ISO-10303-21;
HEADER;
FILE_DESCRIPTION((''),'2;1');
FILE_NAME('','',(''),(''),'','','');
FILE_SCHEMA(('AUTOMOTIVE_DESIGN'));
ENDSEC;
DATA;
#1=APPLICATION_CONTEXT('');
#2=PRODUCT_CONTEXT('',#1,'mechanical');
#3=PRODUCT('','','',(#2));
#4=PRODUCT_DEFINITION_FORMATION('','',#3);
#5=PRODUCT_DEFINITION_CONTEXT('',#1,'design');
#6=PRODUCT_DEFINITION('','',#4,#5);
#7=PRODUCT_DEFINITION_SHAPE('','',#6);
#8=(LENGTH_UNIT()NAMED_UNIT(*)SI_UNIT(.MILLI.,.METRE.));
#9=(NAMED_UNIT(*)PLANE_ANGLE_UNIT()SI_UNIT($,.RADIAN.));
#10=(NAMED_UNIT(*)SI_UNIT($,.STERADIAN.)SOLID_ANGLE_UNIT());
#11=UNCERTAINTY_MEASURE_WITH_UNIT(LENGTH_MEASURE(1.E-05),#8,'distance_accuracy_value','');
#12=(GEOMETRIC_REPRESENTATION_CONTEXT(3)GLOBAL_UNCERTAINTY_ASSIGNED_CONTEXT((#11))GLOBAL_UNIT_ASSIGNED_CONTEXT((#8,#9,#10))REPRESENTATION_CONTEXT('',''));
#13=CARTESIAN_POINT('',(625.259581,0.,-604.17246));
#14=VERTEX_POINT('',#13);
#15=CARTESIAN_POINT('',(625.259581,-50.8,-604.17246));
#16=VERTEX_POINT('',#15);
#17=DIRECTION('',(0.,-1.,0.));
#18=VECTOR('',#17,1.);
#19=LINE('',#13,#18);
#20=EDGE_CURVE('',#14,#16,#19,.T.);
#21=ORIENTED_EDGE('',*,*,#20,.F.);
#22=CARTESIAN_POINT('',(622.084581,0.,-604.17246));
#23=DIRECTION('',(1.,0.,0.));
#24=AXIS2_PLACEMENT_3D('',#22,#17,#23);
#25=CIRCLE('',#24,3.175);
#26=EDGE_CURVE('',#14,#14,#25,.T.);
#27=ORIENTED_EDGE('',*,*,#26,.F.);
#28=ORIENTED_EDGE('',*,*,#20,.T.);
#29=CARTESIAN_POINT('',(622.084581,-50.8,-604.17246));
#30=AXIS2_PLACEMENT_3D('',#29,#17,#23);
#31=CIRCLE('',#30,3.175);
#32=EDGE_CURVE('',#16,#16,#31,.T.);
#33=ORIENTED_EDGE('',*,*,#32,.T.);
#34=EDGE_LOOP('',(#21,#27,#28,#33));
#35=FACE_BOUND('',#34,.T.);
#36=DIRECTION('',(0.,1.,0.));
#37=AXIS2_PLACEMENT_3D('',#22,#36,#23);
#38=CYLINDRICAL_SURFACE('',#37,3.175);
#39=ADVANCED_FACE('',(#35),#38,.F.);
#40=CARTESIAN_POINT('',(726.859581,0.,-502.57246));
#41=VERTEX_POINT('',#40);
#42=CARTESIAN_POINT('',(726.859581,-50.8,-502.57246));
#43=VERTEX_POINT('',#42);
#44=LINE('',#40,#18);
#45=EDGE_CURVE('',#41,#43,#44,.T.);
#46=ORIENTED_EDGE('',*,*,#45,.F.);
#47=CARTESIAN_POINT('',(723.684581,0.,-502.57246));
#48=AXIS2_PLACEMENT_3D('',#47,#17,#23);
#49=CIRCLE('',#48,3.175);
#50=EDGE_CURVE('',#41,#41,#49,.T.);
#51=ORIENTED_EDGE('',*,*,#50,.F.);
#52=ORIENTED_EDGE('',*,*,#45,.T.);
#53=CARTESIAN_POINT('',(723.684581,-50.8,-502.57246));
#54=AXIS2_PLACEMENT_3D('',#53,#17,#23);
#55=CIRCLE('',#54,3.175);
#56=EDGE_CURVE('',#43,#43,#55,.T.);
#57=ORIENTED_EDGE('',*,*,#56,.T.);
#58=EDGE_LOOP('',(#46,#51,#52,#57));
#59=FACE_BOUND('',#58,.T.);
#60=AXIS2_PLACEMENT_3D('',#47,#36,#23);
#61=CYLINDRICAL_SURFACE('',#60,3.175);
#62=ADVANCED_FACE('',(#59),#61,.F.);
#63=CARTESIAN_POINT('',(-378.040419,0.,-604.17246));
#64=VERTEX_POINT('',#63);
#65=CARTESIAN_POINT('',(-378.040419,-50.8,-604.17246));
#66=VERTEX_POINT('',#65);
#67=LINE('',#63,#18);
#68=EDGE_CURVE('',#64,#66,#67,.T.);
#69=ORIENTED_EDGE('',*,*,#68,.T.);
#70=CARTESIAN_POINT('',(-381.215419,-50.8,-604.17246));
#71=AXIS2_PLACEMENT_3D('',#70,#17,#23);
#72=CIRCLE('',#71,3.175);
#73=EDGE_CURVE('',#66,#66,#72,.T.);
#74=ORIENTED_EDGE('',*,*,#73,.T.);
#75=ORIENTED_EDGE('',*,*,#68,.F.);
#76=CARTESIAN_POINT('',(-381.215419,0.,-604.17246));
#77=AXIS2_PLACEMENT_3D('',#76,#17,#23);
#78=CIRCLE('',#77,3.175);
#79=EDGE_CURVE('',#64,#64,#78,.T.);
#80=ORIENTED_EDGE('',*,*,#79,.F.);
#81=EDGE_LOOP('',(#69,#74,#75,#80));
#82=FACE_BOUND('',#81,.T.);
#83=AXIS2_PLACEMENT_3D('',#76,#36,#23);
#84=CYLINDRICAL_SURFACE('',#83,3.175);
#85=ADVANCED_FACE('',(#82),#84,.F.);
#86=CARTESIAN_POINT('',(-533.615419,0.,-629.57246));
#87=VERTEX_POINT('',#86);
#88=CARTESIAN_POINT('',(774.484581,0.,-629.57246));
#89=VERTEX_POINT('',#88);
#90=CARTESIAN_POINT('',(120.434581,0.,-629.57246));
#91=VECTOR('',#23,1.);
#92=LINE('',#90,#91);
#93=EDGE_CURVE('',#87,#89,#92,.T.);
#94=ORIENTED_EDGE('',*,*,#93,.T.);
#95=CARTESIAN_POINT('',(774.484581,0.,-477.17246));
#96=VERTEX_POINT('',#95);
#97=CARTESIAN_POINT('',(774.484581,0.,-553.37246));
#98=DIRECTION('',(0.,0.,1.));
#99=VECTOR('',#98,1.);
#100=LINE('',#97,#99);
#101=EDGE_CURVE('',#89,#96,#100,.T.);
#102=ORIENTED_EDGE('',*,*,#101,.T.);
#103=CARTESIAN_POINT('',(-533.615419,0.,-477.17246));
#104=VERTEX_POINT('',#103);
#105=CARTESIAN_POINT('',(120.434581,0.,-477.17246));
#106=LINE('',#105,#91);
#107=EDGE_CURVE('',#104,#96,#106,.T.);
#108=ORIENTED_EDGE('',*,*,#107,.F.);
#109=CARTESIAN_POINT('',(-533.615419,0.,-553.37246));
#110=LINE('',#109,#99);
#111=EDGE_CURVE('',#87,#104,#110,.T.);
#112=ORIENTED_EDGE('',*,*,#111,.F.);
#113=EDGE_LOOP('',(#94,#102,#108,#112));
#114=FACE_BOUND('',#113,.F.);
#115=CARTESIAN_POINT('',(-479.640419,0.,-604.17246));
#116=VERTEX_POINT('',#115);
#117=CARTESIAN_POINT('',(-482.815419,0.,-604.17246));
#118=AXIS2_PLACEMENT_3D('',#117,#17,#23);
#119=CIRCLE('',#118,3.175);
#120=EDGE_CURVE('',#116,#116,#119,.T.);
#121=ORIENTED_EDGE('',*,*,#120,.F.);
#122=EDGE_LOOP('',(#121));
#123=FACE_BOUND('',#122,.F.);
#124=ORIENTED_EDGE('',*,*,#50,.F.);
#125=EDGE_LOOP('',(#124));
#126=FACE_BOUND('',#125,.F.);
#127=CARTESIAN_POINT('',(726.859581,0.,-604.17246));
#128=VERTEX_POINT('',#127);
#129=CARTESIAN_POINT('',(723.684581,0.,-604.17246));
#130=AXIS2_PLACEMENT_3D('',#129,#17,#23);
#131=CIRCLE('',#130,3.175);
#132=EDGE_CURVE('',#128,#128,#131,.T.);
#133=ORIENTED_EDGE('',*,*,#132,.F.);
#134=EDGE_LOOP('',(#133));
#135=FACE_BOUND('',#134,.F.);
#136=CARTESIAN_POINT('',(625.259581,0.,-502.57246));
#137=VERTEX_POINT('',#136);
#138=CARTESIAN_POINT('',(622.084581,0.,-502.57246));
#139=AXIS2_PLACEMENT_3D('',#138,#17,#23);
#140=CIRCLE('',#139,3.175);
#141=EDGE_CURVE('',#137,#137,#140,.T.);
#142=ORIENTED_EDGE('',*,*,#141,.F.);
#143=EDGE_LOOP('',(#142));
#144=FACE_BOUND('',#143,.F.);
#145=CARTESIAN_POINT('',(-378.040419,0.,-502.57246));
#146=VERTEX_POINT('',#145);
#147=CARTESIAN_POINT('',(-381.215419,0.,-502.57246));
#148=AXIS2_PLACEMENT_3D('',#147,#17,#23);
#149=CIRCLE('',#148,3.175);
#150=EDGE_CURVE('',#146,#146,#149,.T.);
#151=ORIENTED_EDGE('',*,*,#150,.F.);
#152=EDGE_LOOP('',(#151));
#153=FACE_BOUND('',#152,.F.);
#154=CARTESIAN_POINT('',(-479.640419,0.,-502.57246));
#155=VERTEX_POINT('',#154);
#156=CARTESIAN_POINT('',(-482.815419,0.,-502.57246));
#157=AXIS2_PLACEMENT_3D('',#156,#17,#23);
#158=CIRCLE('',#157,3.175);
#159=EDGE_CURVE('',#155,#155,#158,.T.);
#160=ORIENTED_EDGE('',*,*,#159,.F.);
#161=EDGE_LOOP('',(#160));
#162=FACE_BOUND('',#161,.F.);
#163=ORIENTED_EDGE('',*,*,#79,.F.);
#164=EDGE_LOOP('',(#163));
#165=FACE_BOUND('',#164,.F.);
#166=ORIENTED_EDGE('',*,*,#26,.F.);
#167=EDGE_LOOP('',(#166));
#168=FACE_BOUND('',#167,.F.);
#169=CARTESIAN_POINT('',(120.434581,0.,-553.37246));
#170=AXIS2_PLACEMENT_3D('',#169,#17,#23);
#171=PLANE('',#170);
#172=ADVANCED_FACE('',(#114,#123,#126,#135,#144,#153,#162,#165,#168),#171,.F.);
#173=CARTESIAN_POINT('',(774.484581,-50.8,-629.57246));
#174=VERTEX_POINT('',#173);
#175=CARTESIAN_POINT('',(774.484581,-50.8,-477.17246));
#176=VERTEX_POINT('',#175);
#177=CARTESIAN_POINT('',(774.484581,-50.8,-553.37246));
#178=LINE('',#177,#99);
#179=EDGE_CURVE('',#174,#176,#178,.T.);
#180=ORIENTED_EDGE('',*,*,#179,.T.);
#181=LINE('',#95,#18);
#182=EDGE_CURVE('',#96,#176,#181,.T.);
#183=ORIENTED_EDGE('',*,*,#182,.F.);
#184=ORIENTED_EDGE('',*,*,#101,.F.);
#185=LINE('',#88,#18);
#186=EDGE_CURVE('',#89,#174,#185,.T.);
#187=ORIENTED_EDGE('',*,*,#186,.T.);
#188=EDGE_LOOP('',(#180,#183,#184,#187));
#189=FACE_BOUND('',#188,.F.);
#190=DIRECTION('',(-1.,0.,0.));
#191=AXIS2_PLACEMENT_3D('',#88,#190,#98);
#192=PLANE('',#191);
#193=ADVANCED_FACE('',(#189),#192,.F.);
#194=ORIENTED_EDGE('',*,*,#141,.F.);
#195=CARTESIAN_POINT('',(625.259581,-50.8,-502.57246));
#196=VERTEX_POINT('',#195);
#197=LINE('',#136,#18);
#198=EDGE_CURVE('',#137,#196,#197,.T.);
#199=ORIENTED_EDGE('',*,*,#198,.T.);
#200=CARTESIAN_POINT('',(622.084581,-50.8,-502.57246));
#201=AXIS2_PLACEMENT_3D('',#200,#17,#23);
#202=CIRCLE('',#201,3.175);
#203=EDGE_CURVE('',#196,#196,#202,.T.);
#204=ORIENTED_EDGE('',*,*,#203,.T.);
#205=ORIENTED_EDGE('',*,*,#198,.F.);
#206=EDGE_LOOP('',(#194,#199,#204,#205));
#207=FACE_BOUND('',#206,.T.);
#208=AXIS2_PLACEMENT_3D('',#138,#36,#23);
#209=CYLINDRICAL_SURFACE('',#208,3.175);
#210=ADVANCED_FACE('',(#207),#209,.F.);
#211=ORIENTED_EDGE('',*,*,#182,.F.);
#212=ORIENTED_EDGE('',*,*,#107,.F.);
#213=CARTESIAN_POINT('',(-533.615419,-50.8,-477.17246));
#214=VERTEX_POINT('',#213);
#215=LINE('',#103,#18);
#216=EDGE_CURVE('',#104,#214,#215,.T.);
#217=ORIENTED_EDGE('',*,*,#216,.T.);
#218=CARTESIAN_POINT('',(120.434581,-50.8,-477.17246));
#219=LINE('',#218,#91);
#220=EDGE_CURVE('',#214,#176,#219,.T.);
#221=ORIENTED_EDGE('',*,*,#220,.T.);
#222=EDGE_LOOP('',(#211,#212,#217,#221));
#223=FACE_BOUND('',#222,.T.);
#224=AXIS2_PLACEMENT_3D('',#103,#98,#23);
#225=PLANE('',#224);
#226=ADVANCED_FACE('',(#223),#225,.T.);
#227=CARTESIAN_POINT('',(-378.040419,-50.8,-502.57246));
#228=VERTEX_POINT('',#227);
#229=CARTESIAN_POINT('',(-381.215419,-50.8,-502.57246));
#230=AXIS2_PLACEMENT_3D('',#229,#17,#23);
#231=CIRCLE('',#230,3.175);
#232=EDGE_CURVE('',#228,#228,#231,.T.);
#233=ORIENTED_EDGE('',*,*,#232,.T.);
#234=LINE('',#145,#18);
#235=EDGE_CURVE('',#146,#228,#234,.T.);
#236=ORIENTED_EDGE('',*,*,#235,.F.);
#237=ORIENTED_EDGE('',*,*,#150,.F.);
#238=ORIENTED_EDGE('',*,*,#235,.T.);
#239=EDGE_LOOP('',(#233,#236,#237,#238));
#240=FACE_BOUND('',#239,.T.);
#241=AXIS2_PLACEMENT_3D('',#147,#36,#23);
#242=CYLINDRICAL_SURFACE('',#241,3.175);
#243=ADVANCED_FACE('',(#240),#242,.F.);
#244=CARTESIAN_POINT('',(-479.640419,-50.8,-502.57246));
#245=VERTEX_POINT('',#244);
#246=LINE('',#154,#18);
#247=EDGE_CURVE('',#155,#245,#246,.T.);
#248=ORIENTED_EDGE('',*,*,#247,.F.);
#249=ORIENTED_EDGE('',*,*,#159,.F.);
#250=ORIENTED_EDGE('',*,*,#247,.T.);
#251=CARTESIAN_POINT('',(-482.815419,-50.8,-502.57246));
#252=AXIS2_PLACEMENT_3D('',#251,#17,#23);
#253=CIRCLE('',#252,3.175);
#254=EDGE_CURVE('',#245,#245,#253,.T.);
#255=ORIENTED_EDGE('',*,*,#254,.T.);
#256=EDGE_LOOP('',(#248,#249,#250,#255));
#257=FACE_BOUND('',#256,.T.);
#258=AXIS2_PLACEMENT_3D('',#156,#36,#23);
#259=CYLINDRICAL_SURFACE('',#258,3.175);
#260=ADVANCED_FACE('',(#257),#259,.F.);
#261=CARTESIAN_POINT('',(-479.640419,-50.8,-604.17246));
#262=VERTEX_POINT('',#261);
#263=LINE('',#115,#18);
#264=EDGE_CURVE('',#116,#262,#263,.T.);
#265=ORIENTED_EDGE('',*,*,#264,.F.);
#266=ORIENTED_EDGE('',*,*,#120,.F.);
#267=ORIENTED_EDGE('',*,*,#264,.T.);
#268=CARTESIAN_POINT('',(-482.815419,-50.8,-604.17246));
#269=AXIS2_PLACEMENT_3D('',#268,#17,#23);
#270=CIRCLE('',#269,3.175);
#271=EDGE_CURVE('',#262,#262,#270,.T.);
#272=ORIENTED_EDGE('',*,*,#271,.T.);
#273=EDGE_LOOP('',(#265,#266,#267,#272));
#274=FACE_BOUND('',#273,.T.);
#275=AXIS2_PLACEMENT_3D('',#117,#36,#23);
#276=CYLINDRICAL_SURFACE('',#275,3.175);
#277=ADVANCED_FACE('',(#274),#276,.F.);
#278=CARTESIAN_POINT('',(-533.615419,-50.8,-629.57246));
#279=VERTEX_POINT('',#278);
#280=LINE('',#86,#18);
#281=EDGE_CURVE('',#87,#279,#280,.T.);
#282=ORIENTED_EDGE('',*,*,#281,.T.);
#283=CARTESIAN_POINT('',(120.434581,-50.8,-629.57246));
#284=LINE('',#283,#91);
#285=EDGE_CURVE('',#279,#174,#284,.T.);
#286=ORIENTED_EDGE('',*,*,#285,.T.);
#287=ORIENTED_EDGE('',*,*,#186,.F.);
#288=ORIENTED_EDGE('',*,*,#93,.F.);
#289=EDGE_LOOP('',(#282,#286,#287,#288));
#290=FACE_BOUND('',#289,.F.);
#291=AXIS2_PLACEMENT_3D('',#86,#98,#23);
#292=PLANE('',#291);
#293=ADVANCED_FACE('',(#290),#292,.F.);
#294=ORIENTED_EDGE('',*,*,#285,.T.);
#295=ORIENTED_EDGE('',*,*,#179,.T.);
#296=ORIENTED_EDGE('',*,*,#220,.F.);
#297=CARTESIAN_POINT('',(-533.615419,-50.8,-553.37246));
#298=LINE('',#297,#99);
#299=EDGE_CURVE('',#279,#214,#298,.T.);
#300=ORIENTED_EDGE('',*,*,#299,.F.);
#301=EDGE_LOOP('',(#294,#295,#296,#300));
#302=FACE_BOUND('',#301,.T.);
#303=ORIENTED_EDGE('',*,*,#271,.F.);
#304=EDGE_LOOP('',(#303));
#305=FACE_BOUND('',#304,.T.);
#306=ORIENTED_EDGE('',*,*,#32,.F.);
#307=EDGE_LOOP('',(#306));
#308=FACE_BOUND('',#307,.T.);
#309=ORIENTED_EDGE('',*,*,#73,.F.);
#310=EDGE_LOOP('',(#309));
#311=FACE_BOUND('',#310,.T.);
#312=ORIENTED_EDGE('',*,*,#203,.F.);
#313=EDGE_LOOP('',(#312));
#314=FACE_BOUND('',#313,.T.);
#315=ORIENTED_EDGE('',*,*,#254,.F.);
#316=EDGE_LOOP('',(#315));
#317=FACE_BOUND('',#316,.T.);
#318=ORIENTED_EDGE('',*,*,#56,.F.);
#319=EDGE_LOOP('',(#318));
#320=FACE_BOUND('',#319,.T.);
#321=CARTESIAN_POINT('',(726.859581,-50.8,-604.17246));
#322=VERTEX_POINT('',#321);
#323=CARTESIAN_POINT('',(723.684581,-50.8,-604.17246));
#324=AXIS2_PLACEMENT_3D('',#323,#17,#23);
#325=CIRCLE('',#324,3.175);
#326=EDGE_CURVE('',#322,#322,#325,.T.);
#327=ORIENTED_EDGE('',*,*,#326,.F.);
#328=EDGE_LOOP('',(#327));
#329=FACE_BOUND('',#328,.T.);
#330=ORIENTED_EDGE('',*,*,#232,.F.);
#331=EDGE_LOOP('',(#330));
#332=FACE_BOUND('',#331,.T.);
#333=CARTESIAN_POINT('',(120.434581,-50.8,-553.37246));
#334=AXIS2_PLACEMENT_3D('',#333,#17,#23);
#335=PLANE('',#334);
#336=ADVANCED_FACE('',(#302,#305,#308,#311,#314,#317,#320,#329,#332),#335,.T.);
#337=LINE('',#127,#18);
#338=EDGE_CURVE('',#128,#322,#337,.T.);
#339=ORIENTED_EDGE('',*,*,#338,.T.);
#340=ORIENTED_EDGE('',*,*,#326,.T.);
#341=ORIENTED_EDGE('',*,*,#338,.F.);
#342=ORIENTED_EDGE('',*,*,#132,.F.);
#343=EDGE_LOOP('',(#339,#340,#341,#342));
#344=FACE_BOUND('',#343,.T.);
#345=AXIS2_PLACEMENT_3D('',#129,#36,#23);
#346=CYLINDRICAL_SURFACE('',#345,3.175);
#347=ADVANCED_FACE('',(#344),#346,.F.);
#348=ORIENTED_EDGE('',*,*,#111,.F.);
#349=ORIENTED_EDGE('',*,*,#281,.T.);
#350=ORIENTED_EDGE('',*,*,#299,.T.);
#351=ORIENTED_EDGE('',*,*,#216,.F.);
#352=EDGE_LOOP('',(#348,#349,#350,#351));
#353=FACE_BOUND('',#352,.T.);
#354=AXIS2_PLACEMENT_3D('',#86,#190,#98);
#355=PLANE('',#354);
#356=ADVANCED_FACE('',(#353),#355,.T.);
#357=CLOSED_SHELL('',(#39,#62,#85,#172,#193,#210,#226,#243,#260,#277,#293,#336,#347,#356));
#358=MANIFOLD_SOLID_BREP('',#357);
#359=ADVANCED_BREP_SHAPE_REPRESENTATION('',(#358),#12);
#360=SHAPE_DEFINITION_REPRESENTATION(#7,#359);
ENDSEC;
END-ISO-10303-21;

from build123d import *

# Parameters (mm, degrees)
F0_W     = 1308.1
F0_H     = 152.4
F0_R     = 3.175
F1_DEPTH = 50.8


with BuildPart() as f1:
    # F0 (on Front) → F1 (new body)
    with BuildSketch(Plane.XZ):
        with Locations((120.434581, -553.37246)):
            Rectangle(F0_W, F0_H)
        with Locations((-482.815419, -604.17246)):
            Circle(F0_R, mode=Mode.SUBTRACT)
        with Locations((-381.215419, -604.17246)):
            Circle(F0_R, mode=Mode.SUBTRACT)
        with Locations((622.084581, -604.17246)):
            Circle(F0_R, mode=Mode.SUBTRACT)
        with Locations((723.684581, -604.17246)):
            Circle(F0_R, mode=Mode.SUBTRACT)
        with Locations((-482.815419, -502.57246)):
            Circle(F0_R, mode=Mode.SUBTRACT)
        with Locations((-381.215419, -502.57246)):
            Circle(F0_R, mode=Mode.SUBTRACT)
        with Locations((622.084581, -502.57246)):
            Circle(F0_R, mode=Mode.SUBTRACT)
        with Locations((723.684581, -502.57246)):
            Circle(F0_R, mode=Mode.SUBTRACT)
    extrude(amount=F1_DEPTH)


solid = f1.part
